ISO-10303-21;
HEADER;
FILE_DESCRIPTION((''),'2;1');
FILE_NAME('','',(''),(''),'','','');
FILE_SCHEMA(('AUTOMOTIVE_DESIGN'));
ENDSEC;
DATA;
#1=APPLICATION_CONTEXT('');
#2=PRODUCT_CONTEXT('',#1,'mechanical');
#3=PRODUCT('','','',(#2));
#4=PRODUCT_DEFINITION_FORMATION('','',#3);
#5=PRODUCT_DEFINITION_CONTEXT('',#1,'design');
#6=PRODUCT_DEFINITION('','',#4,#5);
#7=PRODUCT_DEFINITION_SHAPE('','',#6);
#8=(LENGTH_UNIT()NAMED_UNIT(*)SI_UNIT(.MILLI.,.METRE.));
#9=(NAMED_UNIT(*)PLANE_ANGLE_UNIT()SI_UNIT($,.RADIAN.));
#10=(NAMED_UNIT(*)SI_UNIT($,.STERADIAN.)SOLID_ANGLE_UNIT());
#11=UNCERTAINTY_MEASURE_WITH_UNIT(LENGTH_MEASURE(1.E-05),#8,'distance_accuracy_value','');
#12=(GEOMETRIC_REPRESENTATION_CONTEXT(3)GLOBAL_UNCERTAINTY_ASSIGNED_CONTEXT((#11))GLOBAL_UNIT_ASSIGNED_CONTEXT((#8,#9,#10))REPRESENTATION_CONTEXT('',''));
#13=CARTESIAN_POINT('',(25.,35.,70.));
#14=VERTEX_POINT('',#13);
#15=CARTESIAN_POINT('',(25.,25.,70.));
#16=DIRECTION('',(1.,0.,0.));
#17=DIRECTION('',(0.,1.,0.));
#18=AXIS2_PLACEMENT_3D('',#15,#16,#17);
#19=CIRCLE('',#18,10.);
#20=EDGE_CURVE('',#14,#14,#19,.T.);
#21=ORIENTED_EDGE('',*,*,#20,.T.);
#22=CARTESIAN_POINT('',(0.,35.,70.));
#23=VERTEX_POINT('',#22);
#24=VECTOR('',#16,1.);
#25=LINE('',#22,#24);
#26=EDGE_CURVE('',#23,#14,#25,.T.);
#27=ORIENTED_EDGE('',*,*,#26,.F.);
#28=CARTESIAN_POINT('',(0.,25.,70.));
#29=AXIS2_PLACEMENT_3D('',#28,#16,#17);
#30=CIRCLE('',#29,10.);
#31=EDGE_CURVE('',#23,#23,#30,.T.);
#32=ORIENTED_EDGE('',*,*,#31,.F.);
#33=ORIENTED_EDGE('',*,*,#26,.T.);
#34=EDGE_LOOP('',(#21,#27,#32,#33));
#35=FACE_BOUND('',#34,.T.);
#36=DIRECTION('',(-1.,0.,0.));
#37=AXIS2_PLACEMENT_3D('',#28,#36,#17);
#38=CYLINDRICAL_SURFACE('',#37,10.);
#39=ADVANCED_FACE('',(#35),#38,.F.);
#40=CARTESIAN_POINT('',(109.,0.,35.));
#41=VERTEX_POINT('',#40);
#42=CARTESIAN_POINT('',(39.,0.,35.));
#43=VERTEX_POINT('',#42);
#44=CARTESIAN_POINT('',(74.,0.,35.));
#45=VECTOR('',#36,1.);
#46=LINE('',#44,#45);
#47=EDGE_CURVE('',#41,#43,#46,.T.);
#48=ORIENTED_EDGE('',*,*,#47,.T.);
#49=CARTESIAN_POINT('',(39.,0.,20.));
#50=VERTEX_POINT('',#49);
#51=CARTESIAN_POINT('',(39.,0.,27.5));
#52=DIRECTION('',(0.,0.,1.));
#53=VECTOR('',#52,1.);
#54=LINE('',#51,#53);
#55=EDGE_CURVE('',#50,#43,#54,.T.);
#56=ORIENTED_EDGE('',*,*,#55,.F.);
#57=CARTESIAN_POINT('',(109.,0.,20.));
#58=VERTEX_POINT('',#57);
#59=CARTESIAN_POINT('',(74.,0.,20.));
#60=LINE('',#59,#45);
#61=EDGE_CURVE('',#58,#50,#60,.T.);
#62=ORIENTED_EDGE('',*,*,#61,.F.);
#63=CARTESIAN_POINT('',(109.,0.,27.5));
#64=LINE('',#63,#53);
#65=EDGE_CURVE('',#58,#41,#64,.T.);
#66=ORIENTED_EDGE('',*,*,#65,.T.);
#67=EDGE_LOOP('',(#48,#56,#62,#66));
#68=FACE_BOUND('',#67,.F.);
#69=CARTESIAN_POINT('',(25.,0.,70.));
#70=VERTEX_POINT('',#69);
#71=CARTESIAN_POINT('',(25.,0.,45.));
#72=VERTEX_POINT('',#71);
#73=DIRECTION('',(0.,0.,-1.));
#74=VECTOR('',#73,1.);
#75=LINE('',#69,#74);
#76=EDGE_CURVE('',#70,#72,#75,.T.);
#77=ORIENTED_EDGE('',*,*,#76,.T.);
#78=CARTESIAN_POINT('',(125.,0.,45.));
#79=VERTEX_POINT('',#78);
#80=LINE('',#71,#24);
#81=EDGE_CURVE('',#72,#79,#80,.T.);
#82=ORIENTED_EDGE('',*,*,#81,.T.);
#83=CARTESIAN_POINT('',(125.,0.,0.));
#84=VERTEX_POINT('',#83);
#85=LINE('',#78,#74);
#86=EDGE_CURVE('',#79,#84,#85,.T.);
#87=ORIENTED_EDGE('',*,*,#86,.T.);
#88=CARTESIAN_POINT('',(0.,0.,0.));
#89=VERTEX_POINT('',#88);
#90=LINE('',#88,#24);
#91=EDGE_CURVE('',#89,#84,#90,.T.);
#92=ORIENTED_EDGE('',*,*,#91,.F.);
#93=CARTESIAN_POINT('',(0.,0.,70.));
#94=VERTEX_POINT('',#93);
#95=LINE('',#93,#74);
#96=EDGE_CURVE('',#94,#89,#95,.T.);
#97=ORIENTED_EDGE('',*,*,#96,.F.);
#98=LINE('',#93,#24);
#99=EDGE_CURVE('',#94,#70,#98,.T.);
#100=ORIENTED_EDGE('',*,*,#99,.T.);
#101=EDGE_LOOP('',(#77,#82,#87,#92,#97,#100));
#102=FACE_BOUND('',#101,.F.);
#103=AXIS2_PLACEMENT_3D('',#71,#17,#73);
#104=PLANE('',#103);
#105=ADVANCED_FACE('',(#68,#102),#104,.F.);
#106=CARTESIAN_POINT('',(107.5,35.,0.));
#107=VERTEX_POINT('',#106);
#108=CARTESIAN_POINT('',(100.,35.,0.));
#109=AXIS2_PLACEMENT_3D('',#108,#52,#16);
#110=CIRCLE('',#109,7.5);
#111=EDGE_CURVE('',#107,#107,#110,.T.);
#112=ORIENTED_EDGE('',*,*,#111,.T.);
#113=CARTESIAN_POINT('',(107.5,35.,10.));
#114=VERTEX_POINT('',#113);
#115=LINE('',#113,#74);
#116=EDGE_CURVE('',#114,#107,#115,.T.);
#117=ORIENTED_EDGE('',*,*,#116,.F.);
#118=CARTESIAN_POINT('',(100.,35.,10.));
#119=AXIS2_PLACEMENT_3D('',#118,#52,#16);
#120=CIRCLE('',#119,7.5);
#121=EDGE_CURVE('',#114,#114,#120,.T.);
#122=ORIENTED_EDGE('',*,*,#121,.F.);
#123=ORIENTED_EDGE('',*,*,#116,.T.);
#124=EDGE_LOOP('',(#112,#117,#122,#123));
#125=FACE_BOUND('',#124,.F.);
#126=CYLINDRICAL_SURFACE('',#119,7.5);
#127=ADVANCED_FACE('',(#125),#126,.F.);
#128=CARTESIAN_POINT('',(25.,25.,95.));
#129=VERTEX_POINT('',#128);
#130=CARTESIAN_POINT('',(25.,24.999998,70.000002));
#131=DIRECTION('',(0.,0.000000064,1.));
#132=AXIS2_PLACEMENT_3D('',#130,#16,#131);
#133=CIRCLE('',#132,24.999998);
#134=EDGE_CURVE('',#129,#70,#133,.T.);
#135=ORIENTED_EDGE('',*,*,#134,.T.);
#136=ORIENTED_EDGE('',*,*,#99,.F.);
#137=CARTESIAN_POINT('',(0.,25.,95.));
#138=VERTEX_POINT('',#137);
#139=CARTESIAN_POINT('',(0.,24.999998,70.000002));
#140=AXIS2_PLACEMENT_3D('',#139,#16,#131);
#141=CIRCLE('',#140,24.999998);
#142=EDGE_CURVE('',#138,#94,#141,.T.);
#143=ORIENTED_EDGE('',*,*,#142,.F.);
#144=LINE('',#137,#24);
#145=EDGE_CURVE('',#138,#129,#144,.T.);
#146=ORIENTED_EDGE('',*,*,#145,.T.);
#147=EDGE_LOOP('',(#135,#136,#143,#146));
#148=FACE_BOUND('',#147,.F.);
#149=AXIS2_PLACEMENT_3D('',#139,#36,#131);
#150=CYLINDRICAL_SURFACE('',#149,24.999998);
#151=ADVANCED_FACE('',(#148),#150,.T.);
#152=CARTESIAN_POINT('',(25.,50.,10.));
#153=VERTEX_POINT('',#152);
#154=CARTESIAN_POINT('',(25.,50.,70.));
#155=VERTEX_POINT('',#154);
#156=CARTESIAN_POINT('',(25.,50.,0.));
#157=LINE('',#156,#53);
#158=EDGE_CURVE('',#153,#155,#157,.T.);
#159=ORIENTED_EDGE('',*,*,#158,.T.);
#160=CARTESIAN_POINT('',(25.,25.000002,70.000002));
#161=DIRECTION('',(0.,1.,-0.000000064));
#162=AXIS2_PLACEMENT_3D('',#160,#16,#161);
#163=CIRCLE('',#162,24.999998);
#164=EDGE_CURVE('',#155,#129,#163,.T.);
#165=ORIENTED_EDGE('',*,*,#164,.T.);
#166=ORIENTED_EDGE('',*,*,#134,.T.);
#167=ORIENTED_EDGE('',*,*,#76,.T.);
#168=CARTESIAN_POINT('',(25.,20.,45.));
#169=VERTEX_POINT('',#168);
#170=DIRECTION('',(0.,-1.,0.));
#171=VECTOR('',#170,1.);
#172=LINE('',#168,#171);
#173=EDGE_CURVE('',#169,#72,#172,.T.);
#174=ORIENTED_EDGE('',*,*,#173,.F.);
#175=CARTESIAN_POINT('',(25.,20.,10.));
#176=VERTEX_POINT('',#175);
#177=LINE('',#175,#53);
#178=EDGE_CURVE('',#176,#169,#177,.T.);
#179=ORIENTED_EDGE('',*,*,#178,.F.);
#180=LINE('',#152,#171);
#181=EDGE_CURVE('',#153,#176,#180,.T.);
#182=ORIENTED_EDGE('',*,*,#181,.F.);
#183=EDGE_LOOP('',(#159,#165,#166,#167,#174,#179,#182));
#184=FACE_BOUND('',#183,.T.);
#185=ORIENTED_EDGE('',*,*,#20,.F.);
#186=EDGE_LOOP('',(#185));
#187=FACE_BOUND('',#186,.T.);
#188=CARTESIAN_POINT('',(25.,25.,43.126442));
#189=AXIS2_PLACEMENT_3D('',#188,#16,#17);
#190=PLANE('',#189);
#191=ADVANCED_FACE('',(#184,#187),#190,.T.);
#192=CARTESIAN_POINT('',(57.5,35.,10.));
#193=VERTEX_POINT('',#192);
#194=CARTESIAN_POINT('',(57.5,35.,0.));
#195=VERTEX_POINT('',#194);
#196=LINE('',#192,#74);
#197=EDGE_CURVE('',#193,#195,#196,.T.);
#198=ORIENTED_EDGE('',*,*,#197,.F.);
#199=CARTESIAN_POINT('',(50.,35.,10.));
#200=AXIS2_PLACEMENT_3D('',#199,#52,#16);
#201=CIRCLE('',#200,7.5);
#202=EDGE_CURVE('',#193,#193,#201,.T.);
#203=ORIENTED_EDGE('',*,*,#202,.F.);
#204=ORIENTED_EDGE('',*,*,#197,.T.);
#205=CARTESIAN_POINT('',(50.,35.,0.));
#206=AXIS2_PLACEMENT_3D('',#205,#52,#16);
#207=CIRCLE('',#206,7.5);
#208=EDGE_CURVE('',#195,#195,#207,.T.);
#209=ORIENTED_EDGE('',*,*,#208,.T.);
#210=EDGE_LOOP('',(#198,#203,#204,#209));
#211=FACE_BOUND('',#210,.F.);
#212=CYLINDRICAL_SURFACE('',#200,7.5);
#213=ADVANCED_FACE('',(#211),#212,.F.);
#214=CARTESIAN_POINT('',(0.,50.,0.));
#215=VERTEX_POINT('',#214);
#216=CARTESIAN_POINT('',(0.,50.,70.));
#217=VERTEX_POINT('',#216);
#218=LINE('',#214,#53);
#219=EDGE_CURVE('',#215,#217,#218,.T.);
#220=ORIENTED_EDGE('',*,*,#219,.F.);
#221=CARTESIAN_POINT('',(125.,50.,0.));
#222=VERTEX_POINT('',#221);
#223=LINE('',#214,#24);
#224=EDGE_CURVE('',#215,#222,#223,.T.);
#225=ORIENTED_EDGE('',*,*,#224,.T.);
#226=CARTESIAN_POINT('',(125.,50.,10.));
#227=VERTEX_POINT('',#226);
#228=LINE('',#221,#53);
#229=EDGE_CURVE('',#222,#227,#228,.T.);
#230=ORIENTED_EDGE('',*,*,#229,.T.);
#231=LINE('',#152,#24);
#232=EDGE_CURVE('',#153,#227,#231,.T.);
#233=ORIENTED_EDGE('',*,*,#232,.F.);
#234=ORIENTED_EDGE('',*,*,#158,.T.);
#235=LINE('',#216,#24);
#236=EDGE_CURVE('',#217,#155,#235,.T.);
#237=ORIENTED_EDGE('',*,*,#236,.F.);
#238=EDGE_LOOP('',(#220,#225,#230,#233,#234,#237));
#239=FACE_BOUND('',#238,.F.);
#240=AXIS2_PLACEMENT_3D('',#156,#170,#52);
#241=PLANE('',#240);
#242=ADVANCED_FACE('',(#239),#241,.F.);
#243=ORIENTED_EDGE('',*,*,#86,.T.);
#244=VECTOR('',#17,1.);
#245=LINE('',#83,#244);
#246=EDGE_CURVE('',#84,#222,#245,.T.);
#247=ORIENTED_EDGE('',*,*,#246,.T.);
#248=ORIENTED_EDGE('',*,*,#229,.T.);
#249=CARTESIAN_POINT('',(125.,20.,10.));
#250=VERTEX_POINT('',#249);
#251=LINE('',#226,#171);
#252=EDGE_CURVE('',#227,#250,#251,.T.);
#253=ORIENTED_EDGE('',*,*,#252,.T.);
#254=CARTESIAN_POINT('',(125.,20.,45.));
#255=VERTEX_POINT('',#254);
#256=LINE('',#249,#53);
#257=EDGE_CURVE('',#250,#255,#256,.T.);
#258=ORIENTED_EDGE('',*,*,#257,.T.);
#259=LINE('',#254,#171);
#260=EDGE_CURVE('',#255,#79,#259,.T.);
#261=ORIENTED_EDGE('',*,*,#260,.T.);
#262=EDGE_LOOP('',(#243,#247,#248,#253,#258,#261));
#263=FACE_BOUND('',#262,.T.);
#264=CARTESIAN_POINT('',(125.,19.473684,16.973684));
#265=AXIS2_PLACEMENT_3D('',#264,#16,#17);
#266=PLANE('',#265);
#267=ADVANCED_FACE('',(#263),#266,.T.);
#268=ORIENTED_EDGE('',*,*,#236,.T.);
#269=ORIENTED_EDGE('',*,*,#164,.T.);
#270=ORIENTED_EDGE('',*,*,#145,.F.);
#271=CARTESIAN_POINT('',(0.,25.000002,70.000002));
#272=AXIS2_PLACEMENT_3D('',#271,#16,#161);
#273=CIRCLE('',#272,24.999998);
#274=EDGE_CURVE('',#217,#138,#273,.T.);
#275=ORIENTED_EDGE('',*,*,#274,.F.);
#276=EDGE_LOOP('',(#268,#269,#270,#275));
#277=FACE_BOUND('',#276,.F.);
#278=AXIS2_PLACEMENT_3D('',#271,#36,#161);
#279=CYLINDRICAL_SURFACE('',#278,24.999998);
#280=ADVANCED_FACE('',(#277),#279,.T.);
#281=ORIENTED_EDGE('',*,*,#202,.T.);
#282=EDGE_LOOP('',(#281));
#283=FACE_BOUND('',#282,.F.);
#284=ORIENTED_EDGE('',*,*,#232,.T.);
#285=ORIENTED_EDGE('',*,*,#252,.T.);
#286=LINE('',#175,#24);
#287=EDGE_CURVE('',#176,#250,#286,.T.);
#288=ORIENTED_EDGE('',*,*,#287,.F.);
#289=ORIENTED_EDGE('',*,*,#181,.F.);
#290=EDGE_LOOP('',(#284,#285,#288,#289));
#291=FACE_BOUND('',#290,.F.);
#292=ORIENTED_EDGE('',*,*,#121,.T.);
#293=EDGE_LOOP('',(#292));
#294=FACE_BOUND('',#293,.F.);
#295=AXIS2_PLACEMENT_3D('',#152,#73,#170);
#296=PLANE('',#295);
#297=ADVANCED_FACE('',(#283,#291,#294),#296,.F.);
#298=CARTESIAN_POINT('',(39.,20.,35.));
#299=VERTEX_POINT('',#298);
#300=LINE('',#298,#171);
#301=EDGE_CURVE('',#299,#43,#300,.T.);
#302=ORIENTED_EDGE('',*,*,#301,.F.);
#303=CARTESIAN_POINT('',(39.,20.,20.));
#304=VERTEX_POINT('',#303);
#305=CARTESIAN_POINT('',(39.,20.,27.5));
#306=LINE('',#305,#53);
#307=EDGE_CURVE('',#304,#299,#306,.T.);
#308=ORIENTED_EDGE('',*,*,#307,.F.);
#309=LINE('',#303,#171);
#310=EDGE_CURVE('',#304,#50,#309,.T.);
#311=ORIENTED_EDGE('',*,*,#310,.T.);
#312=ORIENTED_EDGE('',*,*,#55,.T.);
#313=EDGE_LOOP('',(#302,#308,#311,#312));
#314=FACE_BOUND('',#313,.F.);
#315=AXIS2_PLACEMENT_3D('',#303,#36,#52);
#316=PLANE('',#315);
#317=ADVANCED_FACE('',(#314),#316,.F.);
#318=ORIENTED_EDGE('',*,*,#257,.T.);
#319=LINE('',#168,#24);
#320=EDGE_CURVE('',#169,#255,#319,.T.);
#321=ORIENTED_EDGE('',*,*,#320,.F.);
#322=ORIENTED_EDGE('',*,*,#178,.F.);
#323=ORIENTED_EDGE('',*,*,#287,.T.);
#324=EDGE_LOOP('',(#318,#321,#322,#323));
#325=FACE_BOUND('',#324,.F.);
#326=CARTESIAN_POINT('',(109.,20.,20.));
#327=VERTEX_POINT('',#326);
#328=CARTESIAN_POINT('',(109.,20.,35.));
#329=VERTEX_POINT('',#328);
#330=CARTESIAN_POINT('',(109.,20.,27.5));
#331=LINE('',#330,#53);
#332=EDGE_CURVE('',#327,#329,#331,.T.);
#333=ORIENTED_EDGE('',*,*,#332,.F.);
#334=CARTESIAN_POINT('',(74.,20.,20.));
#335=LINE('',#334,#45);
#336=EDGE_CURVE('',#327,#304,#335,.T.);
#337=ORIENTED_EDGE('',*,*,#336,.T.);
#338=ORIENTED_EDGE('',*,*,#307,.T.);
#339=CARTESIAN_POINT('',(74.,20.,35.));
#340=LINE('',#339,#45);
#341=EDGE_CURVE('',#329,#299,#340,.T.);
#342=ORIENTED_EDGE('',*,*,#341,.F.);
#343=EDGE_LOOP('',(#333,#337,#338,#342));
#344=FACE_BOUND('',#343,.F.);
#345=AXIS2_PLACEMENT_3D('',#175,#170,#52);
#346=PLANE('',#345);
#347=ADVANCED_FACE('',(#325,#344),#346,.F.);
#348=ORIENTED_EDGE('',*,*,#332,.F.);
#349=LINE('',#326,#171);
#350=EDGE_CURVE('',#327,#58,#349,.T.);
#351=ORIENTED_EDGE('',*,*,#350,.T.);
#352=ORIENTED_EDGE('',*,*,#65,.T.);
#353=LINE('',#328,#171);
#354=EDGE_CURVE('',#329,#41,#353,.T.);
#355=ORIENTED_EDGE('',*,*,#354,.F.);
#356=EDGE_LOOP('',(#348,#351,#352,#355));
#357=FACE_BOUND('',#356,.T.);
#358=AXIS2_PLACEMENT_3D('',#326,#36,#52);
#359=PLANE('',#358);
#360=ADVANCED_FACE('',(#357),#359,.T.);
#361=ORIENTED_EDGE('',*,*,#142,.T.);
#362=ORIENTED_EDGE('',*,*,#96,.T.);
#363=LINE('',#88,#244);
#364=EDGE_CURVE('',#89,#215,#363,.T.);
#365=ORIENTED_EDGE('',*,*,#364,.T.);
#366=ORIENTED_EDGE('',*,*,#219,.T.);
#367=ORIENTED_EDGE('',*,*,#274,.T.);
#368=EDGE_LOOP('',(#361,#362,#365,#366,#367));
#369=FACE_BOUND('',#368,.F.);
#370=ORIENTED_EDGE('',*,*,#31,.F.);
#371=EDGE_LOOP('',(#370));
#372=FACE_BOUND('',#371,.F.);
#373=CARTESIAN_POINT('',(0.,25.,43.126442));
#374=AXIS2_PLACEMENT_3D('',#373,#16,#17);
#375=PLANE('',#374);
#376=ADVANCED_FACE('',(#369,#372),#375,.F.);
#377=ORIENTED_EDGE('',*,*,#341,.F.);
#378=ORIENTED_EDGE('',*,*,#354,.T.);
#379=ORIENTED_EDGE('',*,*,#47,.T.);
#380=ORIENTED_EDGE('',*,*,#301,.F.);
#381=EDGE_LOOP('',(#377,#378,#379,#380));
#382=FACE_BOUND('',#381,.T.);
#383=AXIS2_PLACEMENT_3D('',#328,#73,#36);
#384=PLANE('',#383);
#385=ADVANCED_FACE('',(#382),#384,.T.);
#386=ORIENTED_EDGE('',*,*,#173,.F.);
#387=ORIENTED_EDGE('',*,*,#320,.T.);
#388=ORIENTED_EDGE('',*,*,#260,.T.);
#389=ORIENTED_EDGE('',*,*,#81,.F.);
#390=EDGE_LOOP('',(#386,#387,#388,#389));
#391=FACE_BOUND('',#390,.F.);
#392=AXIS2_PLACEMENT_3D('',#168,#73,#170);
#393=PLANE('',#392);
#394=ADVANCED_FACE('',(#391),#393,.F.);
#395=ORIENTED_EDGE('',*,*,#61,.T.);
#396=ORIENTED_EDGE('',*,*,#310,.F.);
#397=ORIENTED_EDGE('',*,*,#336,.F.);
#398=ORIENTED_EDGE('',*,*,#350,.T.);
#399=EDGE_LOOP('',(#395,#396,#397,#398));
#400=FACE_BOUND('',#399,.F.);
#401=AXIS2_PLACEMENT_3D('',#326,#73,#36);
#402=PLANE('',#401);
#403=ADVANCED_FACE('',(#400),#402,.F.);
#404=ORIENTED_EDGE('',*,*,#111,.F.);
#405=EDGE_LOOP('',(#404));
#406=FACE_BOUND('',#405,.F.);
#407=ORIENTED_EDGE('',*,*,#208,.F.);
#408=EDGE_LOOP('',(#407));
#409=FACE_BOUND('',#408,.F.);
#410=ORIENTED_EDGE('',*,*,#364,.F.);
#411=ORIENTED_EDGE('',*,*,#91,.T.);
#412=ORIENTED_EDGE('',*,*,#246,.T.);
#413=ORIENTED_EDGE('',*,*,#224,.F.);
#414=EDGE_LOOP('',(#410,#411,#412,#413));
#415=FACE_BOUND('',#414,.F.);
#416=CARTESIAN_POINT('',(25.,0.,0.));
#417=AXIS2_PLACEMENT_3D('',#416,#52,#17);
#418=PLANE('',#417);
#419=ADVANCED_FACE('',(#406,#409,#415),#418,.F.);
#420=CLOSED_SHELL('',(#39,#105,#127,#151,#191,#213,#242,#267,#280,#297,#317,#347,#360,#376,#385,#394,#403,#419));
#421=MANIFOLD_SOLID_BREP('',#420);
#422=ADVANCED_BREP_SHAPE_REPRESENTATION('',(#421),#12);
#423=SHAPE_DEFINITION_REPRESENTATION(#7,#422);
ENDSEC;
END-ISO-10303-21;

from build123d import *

# Parameters (mm, degrees)
F0_R     = 10
F1_DEPTH = 25
F3_DEPTH = 100
F4_W     = 70
F4_H     = 15
F5_DEPTH = 20
F6_R     = 7.5
F7_DEPTH = 10


with BuildPart() as f1:
    # F0 (on Right) → F1 (new body)
    with BuildSketch(Plane.YZ):
        with BuildLine():
            Line((0, 70), (0, 0))
            Line((0, 0), (50, 0))
            Line((50, 0), (50, 70))
            ThreePointArc((50, 70), (42.67767, 87.67767), (25, 95))
            ThreePointArc((25, 95), (7.32233, 87.67767), (0, 70))
        make_face()
        with Locations((25, 70)):
            Circle(F0_R, mode=Mode.SUBTRACT)
    extrude(amount=F1_DEPTH)

    # F2 (on face) → F3 (join)
    with BuildSketch(Plane.YZ.offset(25)):
        Polygon((0, 45), (0, 0), (50, 0), (50, 10), (20, 10), (20, 45), align=None)
    extrude(amount=F3_DEPTH)

    # F4 (on face) → F5 (cut)
    with BuildSketch(Plane(origin=(0, 20, 0), x_dir=(-1, 0, 0), z_dir=(0, 1, 0))):
        with Locations((-74, 27.5)):
            Rectangle(F4_W, F4_H)
    extrude(amount=-F5_DEPTH, mode=Mode.SUBTRACT)

    # F6 (on face) → F7 (cut)
    with BuildSketch(Plane.XY.offset(10)):
        with Locations((100, 35)):
            Circle(F6_R)
        with Locations((50, 35)):
            Circle(F6_R)
    extrude(amount=-F7_DEPTH, mode=Mode.SUBTRACT)


solid = f1.part
